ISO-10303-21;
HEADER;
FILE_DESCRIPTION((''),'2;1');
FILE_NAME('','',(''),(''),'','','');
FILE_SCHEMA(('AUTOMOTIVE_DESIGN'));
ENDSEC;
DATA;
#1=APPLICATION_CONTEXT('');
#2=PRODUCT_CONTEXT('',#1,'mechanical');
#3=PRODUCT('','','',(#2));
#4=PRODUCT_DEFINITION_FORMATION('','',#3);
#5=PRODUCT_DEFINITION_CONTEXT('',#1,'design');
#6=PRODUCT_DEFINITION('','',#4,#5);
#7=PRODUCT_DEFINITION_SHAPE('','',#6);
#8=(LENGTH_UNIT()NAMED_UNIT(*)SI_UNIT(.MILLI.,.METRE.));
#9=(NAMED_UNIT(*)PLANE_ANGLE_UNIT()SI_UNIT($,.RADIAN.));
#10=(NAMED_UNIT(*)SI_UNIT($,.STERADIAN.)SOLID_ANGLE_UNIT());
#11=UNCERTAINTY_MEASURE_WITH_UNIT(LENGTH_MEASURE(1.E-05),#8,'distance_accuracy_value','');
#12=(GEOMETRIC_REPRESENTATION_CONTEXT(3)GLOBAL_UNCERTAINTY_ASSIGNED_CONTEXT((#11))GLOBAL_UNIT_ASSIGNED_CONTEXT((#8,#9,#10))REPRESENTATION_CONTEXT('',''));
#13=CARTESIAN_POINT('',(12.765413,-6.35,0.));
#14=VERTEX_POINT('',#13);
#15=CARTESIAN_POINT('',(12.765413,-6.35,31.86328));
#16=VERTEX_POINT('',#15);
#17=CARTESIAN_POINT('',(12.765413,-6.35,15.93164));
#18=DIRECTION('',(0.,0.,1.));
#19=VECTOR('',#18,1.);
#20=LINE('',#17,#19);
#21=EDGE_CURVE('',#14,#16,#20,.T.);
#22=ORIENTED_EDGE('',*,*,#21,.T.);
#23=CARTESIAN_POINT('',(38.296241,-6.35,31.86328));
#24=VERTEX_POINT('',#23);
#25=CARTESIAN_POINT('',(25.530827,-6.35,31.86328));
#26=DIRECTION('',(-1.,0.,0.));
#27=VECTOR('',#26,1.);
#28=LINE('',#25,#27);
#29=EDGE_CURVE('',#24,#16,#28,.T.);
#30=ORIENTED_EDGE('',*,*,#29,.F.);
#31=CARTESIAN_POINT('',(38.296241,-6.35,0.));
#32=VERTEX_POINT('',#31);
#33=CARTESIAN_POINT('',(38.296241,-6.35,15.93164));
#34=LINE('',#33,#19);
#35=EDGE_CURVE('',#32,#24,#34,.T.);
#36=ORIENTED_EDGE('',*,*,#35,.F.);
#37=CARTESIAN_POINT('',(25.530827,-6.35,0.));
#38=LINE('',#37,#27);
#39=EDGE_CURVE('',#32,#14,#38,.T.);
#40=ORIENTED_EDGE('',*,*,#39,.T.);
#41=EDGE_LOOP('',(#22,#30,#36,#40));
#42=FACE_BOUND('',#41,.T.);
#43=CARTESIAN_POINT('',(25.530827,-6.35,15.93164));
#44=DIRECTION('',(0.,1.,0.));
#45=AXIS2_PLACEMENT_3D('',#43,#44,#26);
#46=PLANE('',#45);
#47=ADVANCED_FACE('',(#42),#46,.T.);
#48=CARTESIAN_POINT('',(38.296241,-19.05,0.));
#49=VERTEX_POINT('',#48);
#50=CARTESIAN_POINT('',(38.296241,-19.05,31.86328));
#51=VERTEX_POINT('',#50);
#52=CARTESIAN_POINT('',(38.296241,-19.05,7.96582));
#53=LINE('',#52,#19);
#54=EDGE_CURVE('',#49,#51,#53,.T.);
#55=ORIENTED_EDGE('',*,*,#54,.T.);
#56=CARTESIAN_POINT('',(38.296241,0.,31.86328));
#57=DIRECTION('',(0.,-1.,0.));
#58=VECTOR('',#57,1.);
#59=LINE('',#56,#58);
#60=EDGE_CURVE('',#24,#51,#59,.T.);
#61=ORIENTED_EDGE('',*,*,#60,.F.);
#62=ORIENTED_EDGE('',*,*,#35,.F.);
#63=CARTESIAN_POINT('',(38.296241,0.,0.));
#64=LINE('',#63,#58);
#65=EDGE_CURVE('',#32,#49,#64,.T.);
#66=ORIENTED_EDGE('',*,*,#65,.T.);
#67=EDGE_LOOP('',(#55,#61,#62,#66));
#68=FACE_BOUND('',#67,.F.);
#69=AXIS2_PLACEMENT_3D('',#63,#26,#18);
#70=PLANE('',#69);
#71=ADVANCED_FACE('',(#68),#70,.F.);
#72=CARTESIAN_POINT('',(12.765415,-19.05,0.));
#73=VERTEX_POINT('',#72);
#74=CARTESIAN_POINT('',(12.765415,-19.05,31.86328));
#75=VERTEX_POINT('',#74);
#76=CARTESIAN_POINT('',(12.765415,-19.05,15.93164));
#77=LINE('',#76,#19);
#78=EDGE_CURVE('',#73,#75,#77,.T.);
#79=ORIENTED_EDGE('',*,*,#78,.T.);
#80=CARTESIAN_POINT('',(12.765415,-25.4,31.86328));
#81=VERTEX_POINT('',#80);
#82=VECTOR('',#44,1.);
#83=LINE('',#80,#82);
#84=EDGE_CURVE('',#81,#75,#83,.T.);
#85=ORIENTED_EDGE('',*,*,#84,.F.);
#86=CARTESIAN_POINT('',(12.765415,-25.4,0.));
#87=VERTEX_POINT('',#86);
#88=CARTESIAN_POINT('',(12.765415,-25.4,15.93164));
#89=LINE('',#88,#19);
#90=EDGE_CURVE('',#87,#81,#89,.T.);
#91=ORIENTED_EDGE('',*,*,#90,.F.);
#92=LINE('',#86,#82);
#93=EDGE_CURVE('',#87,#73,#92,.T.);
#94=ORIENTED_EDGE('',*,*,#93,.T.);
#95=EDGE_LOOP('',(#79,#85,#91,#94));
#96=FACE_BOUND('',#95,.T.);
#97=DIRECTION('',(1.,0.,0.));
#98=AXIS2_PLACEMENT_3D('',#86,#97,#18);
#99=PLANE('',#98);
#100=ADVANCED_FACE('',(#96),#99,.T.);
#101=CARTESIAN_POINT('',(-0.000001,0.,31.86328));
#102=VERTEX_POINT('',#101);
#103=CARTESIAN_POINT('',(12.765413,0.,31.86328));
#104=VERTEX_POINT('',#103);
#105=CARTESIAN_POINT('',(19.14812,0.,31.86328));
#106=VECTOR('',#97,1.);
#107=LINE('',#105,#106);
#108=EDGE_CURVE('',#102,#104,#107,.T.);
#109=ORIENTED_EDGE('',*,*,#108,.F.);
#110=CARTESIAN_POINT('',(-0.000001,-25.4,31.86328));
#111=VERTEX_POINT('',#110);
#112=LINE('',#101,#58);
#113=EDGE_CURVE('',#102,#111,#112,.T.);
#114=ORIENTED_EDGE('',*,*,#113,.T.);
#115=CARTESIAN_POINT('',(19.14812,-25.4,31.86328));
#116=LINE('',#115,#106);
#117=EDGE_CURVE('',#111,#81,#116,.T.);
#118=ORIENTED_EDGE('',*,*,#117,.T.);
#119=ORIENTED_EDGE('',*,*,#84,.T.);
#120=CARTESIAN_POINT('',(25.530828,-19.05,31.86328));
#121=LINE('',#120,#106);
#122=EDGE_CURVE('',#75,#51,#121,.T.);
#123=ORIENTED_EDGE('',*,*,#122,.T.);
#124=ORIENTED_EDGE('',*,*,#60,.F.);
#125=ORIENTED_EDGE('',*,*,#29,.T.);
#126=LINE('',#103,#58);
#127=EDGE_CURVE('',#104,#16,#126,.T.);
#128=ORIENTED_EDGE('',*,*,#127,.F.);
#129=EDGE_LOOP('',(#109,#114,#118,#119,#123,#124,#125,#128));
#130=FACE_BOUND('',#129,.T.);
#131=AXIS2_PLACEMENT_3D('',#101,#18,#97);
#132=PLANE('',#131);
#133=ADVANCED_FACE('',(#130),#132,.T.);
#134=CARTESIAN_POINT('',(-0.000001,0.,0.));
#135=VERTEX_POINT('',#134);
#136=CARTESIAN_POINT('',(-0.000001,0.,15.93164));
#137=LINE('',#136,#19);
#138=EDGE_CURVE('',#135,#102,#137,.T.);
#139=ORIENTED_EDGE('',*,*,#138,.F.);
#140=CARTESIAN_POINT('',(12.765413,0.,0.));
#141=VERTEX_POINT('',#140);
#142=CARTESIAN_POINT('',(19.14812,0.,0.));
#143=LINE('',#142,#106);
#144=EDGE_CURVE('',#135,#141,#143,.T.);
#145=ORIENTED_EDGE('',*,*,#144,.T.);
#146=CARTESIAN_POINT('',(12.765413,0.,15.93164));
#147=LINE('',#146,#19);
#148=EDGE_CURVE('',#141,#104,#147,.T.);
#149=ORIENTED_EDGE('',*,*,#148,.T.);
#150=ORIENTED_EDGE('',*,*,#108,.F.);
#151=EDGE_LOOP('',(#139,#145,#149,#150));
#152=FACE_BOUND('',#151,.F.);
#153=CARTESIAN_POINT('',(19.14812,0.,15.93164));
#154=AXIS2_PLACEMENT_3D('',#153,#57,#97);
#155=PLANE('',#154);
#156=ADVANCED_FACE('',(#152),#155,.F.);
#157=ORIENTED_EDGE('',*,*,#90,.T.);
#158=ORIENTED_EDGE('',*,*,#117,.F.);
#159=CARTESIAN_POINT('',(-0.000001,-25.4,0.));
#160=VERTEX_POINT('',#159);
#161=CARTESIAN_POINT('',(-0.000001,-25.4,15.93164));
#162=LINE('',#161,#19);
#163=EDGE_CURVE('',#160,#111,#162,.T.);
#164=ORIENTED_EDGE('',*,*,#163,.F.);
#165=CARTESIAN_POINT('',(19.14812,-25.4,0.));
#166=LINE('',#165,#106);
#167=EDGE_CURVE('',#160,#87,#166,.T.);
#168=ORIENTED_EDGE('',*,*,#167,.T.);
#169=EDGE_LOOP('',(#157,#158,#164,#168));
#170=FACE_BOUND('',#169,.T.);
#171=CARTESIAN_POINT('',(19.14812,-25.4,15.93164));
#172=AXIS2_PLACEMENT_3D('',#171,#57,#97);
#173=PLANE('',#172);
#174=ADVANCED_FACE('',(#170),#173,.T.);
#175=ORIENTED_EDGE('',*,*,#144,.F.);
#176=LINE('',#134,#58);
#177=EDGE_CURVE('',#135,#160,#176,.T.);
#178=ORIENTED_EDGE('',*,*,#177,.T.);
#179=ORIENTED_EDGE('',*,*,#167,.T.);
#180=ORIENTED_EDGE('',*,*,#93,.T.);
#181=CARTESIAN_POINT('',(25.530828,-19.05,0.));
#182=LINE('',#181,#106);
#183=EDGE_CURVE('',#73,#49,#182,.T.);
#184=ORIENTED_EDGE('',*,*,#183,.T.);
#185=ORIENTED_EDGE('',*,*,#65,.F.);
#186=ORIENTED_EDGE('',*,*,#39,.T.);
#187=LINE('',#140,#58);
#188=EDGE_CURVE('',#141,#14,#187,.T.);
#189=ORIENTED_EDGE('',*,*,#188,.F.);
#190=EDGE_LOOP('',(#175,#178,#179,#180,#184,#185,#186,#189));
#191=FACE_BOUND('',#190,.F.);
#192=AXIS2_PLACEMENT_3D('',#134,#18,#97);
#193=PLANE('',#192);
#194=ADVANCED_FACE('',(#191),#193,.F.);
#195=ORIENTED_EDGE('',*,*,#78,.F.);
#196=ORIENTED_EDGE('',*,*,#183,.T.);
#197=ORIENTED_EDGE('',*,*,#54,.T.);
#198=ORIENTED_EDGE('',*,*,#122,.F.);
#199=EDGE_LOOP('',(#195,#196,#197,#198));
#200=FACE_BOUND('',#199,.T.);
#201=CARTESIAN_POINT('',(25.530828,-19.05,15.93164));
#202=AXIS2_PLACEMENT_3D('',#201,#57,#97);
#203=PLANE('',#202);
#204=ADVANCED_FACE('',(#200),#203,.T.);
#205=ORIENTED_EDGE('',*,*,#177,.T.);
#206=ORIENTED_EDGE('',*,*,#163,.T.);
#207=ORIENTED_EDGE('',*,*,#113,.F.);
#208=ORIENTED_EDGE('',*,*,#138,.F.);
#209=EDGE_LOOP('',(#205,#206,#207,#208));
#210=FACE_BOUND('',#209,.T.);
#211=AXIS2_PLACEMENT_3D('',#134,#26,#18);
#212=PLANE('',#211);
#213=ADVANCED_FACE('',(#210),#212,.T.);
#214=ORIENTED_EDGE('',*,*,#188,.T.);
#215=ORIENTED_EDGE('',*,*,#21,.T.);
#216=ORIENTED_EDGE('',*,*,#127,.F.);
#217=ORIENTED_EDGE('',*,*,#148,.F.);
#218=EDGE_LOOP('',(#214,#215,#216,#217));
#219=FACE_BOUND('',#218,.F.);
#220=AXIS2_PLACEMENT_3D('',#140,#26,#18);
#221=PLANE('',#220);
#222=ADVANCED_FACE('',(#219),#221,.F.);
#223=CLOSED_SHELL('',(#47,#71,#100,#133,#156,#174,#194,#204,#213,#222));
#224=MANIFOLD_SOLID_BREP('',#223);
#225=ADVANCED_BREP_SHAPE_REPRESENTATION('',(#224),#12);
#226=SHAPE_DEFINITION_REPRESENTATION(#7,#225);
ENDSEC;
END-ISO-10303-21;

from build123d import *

# Parameters (mm, degrees)
F0_W     = 38.296241
F0_H     = 31.86328
F1_DEPTH = 25.4
F2_W     = 25.530826
F2_H     = 31.86328
F3_DEPTH = 6.35
F4_W     = 25.530827
F4_H     = 31.86328
F5_DEPTH = 6.35


with BuildPart() as f1:
    # F0 (on Front) → F1 (new body)
    with BuildSketch(Plane.XZ):
        with Locations((19.14812, 15.93164)):
            Rectangle(F0_W, F0_H)
    extrude(amount=F1_DEPTH)

    # F2 (on face) → F3 (cut)
    with BuildSketch(Plane.XZ.offset(25.4)):
        with Locations((25.530828, 15.93164)):
            Rectangle(F2_W, F2_H)
    extrude(amount=-F3_DEPTH, mode=Mode.SUBTRACT)

    # F4 (on face) → F5 (cut)
    with BuildSketch(Plane(origin=(0, 0, 0), x_dir=(-1, 0, 0), z_dir=(0, 1, 0))):
        with Locations((-25.530827, 15.93164)):
            Rectangle(F4_W, F4_H)
    extrude(amount=-F5_DEPTH, mode=Mode.SUBTRACT)


solid = f1.part
